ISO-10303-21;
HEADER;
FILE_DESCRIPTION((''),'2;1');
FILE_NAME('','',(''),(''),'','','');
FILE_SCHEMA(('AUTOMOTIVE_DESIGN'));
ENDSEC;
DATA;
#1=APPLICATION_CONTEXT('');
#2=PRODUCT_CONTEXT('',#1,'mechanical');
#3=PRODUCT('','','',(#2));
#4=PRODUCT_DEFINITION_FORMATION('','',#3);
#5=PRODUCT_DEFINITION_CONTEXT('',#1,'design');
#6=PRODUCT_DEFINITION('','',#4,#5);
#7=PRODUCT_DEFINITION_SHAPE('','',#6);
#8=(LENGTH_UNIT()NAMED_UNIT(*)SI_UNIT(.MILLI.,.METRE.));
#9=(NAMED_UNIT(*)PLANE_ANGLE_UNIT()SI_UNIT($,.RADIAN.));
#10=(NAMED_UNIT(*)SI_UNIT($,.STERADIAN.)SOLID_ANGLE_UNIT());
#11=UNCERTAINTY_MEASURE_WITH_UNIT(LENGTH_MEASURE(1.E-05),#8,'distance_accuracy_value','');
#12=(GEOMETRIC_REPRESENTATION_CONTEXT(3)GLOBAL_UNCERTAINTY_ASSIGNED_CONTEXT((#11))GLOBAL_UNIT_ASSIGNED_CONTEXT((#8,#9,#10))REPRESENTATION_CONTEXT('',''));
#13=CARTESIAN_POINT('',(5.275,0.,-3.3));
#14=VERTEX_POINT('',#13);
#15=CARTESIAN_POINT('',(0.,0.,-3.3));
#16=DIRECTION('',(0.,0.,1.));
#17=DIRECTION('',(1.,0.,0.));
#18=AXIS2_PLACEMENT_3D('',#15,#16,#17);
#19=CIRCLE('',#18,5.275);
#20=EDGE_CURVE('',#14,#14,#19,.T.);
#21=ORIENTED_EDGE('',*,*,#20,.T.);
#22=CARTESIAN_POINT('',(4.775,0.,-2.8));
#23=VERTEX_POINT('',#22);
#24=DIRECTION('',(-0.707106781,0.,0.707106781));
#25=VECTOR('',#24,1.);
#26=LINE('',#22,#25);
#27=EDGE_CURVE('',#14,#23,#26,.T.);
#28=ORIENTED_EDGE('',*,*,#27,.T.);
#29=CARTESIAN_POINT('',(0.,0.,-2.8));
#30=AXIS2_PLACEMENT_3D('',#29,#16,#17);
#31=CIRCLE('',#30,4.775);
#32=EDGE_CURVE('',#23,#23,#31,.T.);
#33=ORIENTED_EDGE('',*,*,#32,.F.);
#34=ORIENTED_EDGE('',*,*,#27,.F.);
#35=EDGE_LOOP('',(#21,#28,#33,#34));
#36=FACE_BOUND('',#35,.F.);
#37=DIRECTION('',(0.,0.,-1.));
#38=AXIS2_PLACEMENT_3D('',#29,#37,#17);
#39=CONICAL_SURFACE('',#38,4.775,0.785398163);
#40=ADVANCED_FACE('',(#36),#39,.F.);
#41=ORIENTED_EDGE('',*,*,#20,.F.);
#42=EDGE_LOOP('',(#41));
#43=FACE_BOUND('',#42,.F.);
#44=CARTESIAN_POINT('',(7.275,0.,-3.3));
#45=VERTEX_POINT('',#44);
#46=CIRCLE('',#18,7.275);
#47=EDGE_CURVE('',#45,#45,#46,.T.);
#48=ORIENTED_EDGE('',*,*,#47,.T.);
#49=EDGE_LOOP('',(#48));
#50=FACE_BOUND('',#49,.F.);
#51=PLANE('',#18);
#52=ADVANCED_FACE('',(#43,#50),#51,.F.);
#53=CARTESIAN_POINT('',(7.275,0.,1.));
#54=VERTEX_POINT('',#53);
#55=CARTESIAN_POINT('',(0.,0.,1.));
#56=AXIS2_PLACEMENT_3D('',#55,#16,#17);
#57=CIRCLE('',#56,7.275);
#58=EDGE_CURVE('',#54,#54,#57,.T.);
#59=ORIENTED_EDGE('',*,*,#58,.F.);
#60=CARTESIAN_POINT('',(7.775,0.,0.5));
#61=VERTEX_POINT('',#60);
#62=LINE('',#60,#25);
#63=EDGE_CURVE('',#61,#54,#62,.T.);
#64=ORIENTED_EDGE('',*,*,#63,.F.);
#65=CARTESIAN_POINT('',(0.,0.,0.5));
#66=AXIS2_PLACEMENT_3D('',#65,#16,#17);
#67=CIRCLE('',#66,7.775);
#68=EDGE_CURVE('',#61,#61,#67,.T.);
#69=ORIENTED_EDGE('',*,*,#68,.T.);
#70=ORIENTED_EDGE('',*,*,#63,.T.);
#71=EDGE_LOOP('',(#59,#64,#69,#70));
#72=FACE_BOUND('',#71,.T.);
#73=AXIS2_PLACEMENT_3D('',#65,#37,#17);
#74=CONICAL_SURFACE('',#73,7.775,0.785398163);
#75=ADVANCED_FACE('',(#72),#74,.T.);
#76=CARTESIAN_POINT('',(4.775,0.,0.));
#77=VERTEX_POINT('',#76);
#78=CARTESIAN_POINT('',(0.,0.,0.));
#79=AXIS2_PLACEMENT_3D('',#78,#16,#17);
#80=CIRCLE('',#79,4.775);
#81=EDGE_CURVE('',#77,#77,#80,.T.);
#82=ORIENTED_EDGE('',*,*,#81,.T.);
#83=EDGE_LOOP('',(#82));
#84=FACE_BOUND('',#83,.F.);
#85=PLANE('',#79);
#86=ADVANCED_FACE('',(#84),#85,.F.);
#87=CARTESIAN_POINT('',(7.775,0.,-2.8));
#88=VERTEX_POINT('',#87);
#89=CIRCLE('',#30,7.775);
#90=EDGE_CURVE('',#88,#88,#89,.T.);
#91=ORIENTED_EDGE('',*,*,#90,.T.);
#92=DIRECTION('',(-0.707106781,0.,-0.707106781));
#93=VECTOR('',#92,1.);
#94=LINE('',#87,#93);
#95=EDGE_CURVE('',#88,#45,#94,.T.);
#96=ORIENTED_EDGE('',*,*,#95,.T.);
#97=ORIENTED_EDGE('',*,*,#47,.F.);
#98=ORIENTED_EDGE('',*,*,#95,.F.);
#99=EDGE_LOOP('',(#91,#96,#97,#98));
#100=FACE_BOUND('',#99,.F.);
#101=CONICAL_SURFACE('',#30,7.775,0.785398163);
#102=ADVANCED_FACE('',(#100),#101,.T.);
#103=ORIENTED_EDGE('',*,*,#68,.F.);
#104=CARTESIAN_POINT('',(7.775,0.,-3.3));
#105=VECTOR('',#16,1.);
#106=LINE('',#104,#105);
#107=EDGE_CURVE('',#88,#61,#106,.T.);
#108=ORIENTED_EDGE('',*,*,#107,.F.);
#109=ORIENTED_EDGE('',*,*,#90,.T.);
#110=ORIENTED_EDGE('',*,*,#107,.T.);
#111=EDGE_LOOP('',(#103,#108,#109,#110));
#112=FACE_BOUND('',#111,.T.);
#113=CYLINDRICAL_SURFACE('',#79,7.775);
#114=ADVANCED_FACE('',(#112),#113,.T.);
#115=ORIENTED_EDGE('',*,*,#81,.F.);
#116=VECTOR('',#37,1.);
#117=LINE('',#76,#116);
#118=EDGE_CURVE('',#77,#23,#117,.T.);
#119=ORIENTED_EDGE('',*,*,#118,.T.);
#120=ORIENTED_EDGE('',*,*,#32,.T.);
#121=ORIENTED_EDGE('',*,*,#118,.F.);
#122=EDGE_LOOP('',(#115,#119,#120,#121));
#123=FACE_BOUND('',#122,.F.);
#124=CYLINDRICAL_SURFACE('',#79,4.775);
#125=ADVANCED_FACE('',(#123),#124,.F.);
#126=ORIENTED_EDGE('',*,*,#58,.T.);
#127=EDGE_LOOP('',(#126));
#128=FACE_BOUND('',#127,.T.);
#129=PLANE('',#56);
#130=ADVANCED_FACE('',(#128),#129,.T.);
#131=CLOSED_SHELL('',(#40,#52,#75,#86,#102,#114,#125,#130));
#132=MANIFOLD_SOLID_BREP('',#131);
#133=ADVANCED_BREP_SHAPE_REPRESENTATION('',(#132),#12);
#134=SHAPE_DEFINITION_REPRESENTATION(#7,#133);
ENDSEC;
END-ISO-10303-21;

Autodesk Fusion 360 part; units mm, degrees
sketch "Sketch1" plane through (0, 0, 0) normal (0, 0, 1) x (1, 0, 0)
  circle A0 centre (0, 0) radius 7.775
  circle A1 centre (0, 0) radius 4.775
  dimension "d1" = 9.55
  dimension "d2" = 15.55
extrude "Extrude1" add sketch "Sketch1" along normal blind 1 contours A0 | A1
extrude "Extrude2" add sketch "Sketch1" against normal blind 3.3
chamfer "Chamfer1" distance 0.5 angle 45 3 edges at (-7.2488, -2.8116, 1) (-7.2488, 2.8116, -3.3) (-4.4519, -1.7267, -3.3)
equation "d2 = d1 + 6 mm"
